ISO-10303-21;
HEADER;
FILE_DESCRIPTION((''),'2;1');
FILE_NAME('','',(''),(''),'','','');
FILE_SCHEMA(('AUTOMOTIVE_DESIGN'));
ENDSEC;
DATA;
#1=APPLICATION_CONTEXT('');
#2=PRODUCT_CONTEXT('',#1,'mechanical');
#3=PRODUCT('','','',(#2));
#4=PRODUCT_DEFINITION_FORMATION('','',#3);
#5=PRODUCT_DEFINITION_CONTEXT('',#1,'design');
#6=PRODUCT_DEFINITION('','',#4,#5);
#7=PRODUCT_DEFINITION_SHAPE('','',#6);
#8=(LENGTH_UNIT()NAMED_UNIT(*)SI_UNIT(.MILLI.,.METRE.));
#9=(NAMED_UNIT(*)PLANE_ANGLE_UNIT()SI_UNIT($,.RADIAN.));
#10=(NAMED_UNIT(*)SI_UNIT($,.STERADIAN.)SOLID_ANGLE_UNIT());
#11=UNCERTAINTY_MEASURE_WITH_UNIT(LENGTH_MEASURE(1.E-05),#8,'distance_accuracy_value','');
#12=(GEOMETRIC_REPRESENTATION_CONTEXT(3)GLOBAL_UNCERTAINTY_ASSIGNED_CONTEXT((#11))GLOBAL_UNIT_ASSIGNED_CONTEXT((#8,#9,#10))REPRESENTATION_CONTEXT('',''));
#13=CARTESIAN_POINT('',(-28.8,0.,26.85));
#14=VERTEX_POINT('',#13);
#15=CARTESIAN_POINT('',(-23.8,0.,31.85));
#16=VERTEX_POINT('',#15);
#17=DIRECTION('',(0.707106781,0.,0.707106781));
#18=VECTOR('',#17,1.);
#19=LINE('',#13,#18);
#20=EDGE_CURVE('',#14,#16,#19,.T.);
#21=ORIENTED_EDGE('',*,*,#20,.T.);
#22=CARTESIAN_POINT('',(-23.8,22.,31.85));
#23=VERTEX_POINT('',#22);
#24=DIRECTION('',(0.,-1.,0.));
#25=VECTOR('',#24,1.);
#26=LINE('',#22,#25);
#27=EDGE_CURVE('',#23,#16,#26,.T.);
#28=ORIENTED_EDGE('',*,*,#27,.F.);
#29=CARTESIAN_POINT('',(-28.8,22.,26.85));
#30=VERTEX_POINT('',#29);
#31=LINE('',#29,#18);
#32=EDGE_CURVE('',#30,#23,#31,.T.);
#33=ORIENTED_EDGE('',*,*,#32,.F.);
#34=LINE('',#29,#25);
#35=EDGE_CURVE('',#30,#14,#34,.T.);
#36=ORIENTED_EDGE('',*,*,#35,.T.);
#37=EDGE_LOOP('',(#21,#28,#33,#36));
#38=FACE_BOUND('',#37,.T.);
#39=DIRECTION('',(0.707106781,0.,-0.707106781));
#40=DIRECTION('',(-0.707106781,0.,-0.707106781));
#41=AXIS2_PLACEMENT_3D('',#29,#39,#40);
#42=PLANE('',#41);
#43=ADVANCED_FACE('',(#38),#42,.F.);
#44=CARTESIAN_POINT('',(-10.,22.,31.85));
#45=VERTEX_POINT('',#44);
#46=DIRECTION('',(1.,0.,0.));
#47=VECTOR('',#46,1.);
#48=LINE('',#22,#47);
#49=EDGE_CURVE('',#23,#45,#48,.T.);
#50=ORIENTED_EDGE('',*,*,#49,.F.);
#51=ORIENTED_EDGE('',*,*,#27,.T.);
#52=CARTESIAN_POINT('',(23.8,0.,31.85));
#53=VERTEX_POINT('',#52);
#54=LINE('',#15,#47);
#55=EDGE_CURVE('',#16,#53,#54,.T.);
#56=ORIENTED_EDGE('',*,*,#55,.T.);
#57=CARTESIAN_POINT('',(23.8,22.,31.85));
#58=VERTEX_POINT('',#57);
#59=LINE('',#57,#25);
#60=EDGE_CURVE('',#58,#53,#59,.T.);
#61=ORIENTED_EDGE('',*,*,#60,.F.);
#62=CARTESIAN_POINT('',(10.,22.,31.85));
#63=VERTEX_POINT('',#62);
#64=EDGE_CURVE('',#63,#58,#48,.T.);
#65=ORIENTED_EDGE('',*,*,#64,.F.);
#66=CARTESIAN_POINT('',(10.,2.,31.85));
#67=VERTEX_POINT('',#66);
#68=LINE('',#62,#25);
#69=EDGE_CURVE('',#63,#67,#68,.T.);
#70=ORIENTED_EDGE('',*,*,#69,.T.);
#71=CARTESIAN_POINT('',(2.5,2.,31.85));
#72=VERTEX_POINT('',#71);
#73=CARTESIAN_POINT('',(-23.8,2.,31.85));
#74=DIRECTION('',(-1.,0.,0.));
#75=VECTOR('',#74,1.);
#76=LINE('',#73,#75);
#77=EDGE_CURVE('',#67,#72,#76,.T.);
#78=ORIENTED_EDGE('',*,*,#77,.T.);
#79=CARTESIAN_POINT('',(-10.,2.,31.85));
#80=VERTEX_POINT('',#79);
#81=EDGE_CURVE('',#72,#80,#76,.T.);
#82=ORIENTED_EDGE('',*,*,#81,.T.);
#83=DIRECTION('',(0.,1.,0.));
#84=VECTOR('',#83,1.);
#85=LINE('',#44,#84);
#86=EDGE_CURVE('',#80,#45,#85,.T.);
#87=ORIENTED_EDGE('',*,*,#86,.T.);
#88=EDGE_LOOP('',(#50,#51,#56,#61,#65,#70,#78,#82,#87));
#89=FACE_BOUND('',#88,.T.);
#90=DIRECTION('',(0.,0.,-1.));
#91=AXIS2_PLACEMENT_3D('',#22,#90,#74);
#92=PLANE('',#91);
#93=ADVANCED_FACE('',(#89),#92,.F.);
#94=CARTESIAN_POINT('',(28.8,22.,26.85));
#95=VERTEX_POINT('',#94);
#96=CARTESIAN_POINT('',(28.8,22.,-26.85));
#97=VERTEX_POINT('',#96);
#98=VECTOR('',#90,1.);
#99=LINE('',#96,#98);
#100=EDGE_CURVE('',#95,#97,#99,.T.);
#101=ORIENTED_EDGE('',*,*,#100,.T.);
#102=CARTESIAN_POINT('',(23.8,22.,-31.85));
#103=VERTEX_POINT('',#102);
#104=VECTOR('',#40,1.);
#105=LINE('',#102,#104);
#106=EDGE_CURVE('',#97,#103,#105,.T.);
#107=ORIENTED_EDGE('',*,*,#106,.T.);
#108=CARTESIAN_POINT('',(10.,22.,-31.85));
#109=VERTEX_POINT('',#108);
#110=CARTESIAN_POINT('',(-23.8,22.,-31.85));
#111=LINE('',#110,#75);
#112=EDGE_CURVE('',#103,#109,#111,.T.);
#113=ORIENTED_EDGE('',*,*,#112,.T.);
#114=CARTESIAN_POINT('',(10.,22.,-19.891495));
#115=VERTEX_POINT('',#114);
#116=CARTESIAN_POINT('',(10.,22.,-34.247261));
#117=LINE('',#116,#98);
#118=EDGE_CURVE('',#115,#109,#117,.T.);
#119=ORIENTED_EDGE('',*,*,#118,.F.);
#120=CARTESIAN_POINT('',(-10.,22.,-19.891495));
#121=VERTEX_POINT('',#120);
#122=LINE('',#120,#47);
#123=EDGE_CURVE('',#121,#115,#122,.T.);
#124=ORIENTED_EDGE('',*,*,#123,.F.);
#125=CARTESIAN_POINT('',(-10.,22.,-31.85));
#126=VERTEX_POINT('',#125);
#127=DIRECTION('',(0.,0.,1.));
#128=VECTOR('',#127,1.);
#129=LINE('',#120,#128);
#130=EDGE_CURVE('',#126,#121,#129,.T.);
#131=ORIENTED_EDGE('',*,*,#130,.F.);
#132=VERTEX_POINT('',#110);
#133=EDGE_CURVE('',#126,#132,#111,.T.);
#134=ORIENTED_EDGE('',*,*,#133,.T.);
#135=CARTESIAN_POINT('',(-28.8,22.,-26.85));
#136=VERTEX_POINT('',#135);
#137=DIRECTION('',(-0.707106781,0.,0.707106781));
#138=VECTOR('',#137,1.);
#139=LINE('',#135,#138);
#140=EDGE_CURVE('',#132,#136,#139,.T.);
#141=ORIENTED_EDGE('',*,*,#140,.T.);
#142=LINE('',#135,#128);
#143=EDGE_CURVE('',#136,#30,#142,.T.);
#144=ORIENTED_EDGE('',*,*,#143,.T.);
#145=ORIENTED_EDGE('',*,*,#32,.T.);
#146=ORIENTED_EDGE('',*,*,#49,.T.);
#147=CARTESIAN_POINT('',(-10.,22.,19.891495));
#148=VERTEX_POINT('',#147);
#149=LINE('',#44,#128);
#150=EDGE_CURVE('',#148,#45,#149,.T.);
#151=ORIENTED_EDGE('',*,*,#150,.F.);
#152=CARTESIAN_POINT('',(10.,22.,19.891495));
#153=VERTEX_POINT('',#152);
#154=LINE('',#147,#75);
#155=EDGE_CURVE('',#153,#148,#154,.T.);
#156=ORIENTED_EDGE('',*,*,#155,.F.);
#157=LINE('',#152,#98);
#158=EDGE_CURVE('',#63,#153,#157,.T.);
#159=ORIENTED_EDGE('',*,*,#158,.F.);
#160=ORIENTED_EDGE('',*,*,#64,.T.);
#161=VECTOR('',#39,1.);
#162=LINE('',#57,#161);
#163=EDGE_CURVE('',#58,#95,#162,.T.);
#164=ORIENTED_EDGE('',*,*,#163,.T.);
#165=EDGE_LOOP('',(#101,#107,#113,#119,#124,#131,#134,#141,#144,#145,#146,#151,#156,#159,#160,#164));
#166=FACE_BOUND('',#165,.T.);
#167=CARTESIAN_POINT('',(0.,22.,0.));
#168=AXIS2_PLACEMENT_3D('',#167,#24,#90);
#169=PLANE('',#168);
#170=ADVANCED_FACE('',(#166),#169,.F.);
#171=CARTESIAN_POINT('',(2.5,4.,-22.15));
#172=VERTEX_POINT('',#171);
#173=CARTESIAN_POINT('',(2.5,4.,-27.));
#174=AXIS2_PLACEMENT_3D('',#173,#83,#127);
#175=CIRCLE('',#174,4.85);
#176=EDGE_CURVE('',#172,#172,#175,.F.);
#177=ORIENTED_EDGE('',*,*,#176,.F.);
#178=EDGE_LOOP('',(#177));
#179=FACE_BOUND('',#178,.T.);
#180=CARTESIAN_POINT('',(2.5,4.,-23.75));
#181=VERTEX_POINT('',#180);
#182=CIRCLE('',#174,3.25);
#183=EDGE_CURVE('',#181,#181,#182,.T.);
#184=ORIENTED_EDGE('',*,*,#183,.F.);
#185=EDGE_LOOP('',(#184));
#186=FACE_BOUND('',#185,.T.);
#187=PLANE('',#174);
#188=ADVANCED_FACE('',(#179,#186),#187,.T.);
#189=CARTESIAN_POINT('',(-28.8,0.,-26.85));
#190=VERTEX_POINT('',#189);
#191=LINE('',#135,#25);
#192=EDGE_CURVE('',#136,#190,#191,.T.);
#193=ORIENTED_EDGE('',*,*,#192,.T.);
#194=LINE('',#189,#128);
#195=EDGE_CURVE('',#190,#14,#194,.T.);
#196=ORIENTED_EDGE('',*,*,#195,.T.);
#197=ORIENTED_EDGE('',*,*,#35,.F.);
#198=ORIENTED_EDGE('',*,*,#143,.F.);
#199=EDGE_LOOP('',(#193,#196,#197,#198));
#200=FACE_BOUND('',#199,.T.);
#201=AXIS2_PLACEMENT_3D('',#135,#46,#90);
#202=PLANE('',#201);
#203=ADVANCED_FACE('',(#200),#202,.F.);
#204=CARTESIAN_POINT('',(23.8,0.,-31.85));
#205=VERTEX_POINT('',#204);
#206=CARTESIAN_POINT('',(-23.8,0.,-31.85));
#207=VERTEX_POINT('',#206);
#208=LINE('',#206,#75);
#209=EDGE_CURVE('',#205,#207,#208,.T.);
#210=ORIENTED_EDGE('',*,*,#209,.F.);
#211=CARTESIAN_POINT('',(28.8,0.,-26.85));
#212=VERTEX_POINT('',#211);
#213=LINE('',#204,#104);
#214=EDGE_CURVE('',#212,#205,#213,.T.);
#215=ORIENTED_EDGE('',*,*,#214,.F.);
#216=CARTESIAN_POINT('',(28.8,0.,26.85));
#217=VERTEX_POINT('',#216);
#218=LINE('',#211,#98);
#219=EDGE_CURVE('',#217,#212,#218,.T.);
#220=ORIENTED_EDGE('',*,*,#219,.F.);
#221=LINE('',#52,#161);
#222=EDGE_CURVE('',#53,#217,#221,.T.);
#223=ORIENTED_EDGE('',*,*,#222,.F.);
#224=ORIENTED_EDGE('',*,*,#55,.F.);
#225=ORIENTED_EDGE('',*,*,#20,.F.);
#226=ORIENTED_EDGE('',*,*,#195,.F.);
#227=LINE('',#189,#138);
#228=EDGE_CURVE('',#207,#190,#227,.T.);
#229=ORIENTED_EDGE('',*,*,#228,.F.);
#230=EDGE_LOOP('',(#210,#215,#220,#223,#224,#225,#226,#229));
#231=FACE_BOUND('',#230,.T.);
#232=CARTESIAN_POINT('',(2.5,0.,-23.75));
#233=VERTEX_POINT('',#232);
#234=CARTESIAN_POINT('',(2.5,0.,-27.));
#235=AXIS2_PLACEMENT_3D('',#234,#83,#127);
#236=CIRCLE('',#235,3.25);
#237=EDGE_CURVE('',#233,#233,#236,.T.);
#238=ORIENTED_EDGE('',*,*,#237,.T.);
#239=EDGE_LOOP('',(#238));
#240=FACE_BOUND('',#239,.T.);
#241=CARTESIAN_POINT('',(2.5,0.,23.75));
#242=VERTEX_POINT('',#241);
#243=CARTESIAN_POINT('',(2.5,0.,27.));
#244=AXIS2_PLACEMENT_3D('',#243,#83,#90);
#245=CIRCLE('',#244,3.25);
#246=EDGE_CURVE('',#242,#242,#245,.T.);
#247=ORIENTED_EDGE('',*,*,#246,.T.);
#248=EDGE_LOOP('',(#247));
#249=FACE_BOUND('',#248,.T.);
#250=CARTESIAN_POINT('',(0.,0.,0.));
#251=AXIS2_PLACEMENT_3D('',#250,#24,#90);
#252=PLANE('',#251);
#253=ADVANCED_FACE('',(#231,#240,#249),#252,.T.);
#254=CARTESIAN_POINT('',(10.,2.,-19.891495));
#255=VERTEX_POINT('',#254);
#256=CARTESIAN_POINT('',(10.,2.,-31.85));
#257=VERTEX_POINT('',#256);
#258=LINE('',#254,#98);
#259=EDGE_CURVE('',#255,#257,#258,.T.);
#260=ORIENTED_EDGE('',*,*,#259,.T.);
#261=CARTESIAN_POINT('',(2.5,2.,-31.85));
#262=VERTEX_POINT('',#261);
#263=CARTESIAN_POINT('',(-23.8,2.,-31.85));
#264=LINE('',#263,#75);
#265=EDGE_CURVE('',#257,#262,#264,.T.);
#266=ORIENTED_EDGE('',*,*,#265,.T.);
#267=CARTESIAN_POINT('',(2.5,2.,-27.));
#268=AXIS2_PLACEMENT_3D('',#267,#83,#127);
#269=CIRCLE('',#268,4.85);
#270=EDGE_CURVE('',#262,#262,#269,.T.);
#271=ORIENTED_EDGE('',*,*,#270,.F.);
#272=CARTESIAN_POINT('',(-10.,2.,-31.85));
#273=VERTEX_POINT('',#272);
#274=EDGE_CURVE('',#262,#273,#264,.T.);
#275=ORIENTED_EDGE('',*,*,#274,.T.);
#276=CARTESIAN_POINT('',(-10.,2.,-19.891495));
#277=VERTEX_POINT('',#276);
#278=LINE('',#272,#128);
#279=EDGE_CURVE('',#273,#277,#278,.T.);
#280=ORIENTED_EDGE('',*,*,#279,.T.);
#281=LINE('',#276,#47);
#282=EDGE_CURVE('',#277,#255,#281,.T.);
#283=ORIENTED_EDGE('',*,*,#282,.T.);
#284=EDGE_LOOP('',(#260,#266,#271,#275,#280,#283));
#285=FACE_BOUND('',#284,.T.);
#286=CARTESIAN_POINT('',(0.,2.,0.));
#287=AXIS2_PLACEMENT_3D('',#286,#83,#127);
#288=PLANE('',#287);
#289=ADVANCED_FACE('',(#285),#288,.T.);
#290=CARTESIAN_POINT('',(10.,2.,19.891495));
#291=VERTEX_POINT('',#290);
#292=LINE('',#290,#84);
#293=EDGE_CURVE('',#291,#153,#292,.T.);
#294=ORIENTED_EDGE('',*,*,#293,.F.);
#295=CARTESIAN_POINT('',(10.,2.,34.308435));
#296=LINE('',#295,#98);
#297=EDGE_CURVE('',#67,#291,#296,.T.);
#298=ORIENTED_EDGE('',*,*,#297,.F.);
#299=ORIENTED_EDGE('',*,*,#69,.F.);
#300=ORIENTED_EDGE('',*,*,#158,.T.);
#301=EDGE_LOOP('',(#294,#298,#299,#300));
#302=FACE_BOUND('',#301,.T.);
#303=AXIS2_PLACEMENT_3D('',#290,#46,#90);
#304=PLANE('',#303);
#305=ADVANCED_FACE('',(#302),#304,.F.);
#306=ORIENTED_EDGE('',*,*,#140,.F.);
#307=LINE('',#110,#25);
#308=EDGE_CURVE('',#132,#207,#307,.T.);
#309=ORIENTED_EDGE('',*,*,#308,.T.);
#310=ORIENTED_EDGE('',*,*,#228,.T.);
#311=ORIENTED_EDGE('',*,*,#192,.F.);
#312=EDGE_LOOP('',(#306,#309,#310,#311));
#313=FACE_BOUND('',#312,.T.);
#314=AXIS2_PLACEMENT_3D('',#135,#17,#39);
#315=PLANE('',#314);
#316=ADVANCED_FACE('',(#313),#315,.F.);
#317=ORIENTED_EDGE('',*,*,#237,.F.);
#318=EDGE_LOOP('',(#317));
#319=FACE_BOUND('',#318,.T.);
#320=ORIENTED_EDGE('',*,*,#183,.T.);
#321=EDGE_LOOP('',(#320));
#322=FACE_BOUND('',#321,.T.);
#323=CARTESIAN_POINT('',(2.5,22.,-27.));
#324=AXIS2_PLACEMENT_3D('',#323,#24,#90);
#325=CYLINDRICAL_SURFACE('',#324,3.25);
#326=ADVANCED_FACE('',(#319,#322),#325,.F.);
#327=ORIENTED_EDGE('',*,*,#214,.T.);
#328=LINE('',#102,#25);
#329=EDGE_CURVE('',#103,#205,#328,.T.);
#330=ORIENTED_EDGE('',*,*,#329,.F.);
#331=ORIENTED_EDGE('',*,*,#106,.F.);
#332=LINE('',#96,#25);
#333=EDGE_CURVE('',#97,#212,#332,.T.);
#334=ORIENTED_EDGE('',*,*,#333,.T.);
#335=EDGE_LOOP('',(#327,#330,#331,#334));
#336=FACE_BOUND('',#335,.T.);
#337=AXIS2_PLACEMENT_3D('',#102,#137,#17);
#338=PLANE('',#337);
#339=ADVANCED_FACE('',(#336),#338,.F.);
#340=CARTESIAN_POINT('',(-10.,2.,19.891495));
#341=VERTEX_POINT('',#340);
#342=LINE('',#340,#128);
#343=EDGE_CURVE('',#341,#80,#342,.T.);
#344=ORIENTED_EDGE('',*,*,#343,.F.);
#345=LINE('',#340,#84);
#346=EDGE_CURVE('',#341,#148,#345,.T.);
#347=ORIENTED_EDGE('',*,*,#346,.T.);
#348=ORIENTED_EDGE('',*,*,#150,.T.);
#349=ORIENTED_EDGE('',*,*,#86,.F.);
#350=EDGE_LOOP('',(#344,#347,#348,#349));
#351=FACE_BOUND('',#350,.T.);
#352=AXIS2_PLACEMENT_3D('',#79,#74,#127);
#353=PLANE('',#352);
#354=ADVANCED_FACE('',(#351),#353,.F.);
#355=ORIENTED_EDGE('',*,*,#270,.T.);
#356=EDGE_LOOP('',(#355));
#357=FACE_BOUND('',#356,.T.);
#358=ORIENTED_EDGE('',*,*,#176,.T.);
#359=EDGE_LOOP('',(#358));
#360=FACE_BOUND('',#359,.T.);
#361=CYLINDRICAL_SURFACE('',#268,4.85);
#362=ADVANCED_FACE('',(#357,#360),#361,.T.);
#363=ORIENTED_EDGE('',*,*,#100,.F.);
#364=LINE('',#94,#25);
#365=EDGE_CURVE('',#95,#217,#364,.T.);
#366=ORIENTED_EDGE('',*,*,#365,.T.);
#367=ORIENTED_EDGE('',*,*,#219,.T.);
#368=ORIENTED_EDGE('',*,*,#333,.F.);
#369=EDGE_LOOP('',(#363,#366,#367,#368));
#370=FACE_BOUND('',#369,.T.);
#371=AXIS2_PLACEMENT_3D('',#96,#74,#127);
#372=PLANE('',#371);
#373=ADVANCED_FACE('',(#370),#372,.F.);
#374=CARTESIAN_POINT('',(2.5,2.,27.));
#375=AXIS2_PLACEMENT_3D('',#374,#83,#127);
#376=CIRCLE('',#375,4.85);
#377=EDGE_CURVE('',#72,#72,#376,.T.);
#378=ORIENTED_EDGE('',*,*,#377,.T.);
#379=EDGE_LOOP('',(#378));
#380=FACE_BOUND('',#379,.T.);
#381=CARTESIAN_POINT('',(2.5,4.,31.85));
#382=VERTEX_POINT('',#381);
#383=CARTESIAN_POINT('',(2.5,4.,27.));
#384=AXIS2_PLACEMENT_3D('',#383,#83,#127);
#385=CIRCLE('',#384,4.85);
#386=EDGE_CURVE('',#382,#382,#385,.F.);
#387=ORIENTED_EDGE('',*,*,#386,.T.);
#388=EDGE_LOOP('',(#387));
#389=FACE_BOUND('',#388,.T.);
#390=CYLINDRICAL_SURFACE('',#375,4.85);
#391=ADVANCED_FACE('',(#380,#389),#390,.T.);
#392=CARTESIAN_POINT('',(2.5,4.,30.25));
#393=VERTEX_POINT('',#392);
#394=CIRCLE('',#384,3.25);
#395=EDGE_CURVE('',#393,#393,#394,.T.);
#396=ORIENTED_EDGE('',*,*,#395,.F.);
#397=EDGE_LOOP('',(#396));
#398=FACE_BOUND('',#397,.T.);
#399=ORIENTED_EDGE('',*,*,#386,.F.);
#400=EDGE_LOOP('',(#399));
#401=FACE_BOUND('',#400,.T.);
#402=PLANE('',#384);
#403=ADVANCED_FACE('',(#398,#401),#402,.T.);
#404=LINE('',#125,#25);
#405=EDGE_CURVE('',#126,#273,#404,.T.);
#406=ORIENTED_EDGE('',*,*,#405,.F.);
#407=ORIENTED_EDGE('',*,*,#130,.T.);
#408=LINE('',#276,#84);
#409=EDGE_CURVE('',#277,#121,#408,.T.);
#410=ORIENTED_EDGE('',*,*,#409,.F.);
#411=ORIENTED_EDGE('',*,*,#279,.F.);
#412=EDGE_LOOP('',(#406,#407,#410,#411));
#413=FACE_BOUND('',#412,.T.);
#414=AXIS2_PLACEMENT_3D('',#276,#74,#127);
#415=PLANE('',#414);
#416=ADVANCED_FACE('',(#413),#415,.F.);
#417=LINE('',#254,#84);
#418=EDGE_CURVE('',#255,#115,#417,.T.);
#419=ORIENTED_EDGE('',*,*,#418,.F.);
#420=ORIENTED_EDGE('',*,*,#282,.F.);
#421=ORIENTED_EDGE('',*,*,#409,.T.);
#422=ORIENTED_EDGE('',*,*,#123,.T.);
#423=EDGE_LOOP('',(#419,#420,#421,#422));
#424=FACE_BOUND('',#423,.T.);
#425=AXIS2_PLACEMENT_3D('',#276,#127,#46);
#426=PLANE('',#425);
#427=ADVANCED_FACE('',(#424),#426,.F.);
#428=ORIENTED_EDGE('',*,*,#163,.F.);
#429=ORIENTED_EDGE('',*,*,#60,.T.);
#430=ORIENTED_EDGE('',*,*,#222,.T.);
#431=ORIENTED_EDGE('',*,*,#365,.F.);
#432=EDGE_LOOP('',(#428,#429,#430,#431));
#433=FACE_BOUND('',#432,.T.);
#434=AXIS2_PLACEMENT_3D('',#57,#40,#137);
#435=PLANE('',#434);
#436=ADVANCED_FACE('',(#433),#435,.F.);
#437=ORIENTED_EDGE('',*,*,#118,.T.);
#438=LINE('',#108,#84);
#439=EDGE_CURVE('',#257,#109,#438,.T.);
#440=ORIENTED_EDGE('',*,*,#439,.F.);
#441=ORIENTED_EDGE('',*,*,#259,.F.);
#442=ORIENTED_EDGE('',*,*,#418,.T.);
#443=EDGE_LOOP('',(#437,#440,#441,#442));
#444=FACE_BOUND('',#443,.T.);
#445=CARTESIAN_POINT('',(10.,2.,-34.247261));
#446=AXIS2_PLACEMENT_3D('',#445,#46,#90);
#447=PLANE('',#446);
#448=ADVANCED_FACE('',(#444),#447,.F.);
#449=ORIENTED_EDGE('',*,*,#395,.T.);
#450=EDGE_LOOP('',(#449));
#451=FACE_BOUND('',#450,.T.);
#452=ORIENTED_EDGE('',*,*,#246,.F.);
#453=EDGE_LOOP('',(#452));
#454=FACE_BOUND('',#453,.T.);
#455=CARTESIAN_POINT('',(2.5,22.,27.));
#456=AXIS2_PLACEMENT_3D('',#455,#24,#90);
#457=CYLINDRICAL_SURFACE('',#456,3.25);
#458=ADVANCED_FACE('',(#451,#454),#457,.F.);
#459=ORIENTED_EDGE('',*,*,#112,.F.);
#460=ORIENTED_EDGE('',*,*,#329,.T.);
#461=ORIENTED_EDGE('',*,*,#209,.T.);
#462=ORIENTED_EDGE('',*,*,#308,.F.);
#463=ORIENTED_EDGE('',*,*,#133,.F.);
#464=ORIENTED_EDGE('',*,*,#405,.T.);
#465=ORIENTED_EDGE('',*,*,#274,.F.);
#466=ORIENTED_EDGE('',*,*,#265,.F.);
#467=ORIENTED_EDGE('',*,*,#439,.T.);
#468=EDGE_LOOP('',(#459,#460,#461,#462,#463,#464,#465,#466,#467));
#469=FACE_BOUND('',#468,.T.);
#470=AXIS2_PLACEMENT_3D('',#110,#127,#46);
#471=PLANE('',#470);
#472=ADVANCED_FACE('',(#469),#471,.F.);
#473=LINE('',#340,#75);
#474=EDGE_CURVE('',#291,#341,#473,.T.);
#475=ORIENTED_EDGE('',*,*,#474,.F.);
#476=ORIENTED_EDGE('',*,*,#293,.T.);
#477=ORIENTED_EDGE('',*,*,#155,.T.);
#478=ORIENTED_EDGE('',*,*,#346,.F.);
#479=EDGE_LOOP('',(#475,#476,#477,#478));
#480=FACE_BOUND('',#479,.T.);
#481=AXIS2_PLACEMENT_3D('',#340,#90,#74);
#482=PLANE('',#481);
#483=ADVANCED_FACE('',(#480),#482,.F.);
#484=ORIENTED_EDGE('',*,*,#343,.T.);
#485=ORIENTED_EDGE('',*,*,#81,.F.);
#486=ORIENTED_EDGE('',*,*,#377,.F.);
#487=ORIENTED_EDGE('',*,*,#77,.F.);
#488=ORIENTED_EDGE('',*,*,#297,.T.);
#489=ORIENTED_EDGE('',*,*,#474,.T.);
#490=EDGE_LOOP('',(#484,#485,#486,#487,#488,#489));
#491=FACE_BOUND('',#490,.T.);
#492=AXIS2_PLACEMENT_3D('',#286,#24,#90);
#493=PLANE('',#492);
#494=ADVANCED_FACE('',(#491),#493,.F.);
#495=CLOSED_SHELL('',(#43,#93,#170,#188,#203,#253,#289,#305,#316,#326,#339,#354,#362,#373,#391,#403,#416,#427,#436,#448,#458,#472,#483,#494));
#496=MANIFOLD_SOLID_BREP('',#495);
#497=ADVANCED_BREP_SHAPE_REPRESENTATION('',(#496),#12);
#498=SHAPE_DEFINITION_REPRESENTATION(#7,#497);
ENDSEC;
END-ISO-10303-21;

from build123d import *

# Parameters (mm, degrees)
SKETCH_1_R          = 3.25
EXTRUDE_1_DEPTH     = 22
SKETCH_2_R          = 4.85
CUT_EXTRUDE_3_DEPTH = 20
SKETCH_3_R          = 6
CUT_EXTRUDE_4_DEPTH = 18


with BuildPart() as part:
    # 草图1 → 凸台-拉伸1 (new body)
    with BuildSketch(Plane(origin=(0, 0, 0), x_dir=(1, 0, 0), z_dir=(0, 1, 0))):
        Polygon((-28.8, 26.85), (-23.8, 31.85), (23.8, 31.85), (28.8, 26.85), (28.8, -26.85), (23.8, -31.85), (-23.8, -31.85), (-28.8, -26.85), align=None)
        with Locations(Location((2.5, 27, 0), (0, 0, 270))):
            Circle(SKETCH_1_R, mode=Mode.SUBTRACT)
        with Locations(Location((2.5, -27, 0), (0, 0, 90))):
            Circle(SKETCH_1_R, mode=Mode.SUBTRACT)
    extrude(amount=EXTRUDE_1_DEPTH)

    # 草图2 → 切除-拉伸3 (cut)
    # profile 1 of 2: a face of its own
    with BuildSketch(Plane(origin=(0, 22, 0), x_dir=(1, 0, 0), z_dir=(0, 1, 0))):
        Polygon((-10, -19.891494973), (10, -19.891494973), (10, -31.85), (10, -34.308434643), (-10, -34.308434643), (-10, -31.85), align=None)
        with Locations(Location((2.5, -27, 0), (0, 0, 270))):
            Circle(SKETCH_2_R, mode=Mode.SUBTRACT)
    # profile 2 of 2: a face of its own
    with BuildSketch(Plane(origin=(0, 22, 0), x_dir=(1, 0, 0), z_dir=(0, 1, 0))):
        Polygon((-10, 19.891494973), (-10, 31.85), (-10, 34.247261474), (10, 34.247261474), (10, 31.85), (10, 19.891494973), align=None)
        with Locations(Location((2.5, 27, 0), (0, 0, 270))):
            Circle(SKETCH_2_R, mode=Mode.SUBTRACT)
    extrude(amount=-CUT_EXTRUDE_3_DEPTH, mode=Mode.SUBTRACT)

    # 草图3 → 切除-拉伸4 (cut)
    with BuildSketch(Plane(origin=(0, 22, 0), x_dir=(1, 0, 0), z_dir=(0, 1, 0))):
        with Locations((2.5, 27)):
            Circle(SKETCH_3_R)
        with Locations((2.5, -27)):
            Circle(SKETCH_3_R)
    extrude(amount=-CUT_EXTRUDE_4_DEPTH, mode=Mode.SUBTRACT)


solid = part.part
